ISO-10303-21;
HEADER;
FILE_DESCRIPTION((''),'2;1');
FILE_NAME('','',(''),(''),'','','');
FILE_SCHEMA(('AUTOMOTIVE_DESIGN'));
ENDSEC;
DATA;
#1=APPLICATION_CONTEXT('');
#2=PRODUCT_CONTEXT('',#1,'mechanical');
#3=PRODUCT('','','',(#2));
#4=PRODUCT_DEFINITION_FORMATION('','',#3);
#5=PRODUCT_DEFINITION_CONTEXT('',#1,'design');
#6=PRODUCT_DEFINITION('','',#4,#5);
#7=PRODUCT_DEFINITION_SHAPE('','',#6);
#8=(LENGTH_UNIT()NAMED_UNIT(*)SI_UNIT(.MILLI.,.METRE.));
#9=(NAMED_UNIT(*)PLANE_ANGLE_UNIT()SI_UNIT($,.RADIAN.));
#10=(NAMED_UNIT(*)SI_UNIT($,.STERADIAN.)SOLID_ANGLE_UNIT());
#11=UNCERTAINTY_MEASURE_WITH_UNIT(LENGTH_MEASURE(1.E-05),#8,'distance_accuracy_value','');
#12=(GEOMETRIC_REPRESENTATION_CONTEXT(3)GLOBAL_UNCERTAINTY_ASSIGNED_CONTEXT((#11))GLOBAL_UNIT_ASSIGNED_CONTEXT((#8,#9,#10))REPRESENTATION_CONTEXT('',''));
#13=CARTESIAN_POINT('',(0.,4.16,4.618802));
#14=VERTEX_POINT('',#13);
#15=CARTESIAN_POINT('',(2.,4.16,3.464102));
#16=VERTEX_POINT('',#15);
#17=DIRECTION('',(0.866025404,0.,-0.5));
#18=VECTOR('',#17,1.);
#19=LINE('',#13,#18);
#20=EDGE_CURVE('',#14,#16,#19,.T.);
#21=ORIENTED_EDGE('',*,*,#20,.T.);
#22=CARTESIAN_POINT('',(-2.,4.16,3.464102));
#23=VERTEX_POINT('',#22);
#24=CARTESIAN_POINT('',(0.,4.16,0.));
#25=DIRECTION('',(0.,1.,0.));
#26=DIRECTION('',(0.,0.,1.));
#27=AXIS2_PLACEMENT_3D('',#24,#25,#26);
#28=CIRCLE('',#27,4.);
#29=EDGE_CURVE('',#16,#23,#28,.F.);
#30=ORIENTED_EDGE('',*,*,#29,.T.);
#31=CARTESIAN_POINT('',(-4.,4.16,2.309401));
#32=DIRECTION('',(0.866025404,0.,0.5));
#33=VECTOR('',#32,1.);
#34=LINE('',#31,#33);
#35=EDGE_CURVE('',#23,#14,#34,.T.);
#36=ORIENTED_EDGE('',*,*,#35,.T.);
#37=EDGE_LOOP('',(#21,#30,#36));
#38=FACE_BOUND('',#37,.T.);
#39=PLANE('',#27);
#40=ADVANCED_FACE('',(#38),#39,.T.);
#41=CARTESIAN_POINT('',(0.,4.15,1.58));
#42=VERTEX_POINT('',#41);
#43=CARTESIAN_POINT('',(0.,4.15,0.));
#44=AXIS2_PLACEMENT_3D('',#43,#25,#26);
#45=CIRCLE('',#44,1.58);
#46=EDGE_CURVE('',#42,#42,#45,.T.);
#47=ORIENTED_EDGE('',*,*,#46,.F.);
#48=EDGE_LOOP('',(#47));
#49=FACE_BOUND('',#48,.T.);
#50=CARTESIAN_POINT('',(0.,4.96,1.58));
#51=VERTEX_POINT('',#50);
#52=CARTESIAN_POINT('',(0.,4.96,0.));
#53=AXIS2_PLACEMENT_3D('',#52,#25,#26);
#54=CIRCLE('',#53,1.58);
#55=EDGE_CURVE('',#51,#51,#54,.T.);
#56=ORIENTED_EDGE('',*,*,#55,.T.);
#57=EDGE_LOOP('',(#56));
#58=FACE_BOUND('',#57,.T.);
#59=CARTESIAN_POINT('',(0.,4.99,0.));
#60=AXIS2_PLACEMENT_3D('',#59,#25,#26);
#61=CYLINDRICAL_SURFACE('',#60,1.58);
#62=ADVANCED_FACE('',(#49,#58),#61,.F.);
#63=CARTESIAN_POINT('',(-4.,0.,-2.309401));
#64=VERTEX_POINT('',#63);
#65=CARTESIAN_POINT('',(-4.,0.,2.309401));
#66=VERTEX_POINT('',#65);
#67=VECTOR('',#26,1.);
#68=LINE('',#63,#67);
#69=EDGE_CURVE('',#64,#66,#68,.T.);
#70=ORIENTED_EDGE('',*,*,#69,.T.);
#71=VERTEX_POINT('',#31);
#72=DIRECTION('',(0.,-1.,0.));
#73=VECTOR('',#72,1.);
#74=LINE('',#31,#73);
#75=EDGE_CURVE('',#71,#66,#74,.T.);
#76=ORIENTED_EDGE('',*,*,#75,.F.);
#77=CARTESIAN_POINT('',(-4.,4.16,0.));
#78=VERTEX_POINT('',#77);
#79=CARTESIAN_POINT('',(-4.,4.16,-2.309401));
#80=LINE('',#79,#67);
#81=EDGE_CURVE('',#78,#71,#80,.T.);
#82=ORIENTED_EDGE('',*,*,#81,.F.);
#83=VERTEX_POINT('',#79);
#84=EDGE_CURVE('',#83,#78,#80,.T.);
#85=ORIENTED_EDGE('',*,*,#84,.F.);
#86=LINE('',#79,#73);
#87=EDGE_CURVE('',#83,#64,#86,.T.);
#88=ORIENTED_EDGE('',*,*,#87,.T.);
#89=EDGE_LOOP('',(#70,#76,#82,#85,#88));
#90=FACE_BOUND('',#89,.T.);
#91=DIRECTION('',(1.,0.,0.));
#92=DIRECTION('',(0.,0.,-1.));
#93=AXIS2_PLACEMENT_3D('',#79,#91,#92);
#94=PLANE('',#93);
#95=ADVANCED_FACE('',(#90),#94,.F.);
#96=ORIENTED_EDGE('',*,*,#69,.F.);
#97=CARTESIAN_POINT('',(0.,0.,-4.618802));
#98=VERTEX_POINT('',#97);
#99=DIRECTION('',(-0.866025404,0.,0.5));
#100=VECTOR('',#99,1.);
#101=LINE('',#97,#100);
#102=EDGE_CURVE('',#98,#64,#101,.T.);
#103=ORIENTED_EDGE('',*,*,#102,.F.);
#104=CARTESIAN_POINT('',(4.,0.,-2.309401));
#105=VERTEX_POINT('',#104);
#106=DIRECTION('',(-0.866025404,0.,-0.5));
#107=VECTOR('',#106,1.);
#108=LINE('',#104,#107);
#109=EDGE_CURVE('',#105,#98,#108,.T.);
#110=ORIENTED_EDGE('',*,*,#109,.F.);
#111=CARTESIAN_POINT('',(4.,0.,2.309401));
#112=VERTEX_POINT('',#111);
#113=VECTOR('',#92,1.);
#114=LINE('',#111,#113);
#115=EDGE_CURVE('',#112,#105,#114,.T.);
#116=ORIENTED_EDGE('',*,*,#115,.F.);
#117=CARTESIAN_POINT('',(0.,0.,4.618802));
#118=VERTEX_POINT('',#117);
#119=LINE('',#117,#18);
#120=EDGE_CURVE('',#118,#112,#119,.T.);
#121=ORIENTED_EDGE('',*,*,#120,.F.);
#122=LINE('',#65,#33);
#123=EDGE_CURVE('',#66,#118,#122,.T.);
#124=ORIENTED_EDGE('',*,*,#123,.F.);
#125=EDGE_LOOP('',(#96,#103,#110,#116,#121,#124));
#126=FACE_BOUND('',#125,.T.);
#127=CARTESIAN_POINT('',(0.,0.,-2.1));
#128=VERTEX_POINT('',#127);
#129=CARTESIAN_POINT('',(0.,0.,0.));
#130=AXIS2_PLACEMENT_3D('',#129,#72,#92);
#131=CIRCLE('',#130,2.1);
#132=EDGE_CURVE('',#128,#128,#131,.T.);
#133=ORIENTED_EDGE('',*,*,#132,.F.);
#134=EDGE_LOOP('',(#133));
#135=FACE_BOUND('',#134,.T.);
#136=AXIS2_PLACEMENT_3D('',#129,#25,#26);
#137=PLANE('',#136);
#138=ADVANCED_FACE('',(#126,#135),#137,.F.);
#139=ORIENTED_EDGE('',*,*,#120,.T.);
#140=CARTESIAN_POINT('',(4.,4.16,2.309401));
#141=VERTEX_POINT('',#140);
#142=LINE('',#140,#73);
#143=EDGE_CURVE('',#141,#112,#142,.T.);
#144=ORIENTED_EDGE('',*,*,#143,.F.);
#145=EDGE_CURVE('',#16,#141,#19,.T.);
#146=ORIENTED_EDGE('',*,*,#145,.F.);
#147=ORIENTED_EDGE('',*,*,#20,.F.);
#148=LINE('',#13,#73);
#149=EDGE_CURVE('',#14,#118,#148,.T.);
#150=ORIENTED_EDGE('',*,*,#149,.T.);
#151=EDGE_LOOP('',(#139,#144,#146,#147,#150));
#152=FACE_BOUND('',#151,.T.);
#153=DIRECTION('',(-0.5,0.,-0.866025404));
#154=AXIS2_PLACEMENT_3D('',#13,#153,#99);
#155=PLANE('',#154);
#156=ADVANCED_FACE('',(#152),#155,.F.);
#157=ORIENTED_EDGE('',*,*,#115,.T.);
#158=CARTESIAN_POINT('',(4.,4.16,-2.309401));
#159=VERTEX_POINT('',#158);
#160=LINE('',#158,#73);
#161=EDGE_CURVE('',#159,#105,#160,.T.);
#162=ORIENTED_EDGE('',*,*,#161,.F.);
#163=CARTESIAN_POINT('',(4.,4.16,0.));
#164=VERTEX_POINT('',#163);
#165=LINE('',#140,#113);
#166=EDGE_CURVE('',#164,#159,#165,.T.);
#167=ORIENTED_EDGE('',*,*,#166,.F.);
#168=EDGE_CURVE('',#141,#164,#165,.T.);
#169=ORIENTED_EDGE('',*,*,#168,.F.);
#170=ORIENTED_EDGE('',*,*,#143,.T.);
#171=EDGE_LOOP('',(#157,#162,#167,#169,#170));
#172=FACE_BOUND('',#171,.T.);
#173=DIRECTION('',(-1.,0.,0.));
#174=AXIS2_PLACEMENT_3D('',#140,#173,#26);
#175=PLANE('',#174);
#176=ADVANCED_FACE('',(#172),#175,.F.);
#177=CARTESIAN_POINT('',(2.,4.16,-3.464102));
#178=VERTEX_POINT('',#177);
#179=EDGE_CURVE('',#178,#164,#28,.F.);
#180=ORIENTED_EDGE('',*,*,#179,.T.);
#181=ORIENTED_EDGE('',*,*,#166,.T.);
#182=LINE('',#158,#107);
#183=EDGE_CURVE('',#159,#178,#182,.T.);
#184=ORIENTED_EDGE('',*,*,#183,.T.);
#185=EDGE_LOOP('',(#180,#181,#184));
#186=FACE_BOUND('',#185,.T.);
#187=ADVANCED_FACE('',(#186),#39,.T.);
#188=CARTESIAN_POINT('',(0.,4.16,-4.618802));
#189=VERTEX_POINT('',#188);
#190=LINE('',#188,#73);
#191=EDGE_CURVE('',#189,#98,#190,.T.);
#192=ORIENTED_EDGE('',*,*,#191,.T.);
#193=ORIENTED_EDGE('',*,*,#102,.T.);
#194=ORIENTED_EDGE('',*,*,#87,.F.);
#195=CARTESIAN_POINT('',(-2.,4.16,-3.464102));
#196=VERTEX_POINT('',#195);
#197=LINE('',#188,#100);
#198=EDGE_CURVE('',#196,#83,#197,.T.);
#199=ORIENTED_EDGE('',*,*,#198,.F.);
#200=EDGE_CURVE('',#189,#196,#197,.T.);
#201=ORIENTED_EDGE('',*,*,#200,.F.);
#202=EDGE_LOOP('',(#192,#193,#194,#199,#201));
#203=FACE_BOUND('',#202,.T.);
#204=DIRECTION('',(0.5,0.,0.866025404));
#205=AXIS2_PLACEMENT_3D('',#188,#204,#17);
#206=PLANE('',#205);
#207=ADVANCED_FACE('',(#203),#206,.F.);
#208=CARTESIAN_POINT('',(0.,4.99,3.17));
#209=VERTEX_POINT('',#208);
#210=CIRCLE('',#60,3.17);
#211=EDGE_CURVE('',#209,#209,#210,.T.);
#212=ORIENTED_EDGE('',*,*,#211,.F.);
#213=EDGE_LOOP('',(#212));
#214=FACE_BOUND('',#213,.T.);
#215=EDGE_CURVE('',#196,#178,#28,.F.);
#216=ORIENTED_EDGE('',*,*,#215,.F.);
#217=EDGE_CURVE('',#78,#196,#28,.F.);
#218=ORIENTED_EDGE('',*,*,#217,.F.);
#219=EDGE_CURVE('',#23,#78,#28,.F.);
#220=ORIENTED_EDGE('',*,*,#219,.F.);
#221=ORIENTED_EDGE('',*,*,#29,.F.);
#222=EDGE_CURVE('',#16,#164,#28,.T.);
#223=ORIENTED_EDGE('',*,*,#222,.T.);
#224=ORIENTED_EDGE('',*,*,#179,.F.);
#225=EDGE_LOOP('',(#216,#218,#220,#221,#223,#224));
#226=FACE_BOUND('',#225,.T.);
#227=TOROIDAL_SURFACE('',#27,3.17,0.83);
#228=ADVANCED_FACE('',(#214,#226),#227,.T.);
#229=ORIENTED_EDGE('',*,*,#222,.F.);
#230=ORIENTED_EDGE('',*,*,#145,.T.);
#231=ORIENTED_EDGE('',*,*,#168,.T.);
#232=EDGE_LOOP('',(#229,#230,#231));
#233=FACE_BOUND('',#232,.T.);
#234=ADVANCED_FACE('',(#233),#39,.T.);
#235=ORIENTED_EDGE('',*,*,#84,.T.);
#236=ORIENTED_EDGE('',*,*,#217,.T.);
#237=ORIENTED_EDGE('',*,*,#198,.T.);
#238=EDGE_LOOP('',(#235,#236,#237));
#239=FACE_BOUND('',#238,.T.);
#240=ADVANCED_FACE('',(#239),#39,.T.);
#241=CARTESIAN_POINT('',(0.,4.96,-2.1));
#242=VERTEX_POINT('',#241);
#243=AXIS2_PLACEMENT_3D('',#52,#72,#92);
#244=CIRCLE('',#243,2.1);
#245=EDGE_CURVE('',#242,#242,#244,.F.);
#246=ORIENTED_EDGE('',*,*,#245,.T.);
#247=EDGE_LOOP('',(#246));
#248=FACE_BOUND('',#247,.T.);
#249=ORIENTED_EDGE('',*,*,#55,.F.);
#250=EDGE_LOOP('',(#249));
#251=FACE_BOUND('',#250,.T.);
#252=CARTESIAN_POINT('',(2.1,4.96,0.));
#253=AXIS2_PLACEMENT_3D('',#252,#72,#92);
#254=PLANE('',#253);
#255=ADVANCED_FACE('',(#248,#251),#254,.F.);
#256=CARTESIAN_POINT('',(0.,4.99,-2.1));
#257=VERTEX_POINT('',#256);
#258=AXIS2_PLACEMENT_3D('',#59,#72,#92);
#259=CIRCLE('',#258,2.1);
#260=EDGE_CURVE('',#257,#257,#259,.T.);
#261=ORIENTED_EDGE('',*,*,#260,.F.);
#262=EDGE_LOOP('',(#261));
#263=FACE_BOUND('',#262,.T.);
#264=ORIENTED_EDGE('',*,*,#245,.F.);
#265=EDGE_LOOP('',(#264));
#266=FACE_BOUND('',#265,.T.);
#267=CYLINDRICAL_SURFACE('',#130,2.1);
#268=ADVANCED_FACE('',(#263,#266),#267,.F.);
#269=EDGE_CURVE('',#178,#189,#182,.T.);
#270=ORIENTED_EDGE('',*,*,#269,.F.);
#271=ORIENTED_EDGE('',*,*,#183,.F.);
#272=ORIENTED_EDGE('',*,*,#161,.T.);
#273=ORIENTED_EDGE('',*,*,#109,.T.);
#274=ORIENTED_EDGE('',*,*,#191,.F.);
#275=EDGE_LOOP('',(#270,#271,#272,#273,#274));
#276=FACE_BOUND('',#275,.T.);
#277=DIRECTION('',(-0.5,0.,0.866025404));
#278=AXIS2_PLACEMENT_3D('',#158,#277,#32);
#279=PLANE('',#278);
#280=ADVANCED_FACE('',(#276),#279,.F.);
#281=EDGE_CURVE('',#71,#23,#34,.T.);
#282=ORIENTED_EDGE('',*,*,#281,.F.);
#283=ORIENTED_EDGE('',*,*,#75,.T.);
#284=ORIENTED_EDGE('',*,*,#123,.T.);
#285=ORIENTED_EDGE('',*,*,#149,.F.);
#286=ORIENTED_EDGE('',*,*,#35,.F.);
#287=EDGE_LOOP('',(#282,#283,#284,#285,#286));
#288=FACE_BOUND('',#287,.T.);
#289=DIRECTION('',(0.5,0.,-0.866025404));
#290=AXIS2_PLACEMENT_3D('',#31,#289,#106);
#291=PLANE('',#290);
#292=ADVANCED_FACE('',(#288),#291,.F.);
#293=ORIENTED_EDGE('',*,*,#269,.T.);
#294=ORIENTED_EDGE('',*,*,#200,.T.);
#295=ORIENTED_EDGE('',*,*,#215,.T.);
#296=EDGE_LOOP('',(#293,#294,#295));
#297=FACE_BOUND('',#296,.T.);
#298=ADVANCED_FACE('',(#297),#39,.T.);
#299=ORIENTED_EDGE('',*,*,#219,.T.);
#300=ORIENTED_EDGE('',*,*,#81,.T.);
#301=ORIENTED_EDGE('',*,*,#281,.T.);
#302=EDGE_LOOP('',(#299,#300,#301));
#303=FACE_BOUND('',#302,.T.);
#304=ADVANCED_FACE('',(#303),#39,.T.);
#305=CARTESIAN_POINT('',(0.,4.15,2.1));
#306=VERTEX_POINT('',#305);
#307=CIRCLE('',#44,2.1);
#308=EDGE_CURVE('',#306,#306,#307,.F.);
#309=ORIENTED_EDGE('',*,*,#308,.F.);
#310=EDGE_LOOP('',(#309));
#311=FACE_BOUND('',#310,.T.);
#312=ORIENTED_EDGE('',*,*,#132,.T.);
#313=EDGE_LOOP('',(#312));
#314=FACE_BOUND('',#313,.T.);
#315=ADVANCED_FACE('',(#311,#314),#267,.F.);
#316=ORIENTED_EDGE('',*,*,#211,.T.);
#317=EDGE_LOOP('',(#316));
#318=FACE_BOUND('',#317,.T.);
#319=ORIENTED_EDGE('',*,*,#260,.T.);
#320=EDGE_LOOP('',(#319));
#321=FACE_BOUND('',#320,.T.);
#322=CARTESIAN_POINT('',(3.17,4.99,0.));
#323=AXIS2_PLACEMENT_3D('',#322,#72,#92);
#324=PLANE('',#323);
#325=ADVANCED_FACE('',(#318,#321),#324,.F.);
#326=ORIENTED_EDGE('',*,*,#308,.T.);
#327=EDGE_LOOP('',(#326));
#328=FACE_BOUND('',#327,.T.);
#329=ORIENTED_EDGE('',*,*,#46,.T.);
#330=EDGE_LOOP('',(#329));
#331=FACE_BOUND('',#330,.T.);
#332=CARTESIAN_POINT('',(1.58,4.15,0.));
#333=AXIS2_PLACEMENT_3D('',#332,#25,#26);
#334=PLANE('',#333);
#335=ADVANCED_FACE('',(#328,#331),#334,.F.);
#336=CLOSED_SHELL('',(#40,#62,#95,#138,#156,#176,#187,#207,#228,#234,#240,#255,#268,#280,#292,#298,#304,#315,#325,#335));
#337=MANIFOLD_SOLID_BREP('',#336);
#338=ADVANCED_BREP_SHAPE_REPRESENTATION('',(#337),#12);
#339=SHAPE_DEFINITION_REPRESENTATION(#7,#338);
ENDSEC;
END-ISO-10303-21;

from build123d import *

# Parameters (mm, degrees)
BOSS_EXTRUDE1_DEPTH         = 4.159999906
TAP_DRILL_FOR_M5X0_8_TAP1_D = 4.2
SKETCH8_W                   = 0.52
SKETCH8_H                   = 0.81


with BuildPart() as part:
    # Sketch1 → Boss-Extrude1 (new body)
    with BuildSketch(Plane(origin=(0, 0, 0), x_dir=(1, 0, 0), z_dir=(0, 1, 0))):
        Polygon((-4, -2.309401077), (0, -4.618802154), (4, -2.309401077), (4, 2.309401077), (0, 4.618802154), (-4, 2.309401077), align=None)
    extrude(amount=BOSS_EXTRUDE1_DEPTH)

    # Sketch3 → Revolve1 (revolve)
    with BuildSketch(Plane.XY):
        with BuildLine():
            Line((3.17, 4.989999906), (0, 4.989999906))
            Line((0, 4.989999906), (0, 4.159999906))
            Line((0, 4.159999906), (4, 4.159999906))
            ThreePointArc((4, 4.159999906), (3.756898628, 4.746898534), (3.17, 4.989999906))
        make_face()
    revolve(axis=Axis((0, 4.989999906, 0), (0, -1, 0)))

    # Tap Drill for M5x0.8 Tap1 (through all)
    with Locations(Plane(origin=(0, 0, 0), x_dir=(-1, 0, 0), z_dir=(0, -1, 0))):
        with Locations((0, 0)):
            Hole(TAP_DRILL_FOR_M5X0_8_TAP1_D / 2)

    # Sketch8 → Revolve2 (revolve)
    with BuildSketch(Plane.XY):
        with Locations((1.84, 4.554999966)):
            Rectangle(SKETCH8_W, SKETCH8_H)
    revolve(axis=Axis((0, 4.989999906, 0), (0, -1, 0)))


solid = part.part
